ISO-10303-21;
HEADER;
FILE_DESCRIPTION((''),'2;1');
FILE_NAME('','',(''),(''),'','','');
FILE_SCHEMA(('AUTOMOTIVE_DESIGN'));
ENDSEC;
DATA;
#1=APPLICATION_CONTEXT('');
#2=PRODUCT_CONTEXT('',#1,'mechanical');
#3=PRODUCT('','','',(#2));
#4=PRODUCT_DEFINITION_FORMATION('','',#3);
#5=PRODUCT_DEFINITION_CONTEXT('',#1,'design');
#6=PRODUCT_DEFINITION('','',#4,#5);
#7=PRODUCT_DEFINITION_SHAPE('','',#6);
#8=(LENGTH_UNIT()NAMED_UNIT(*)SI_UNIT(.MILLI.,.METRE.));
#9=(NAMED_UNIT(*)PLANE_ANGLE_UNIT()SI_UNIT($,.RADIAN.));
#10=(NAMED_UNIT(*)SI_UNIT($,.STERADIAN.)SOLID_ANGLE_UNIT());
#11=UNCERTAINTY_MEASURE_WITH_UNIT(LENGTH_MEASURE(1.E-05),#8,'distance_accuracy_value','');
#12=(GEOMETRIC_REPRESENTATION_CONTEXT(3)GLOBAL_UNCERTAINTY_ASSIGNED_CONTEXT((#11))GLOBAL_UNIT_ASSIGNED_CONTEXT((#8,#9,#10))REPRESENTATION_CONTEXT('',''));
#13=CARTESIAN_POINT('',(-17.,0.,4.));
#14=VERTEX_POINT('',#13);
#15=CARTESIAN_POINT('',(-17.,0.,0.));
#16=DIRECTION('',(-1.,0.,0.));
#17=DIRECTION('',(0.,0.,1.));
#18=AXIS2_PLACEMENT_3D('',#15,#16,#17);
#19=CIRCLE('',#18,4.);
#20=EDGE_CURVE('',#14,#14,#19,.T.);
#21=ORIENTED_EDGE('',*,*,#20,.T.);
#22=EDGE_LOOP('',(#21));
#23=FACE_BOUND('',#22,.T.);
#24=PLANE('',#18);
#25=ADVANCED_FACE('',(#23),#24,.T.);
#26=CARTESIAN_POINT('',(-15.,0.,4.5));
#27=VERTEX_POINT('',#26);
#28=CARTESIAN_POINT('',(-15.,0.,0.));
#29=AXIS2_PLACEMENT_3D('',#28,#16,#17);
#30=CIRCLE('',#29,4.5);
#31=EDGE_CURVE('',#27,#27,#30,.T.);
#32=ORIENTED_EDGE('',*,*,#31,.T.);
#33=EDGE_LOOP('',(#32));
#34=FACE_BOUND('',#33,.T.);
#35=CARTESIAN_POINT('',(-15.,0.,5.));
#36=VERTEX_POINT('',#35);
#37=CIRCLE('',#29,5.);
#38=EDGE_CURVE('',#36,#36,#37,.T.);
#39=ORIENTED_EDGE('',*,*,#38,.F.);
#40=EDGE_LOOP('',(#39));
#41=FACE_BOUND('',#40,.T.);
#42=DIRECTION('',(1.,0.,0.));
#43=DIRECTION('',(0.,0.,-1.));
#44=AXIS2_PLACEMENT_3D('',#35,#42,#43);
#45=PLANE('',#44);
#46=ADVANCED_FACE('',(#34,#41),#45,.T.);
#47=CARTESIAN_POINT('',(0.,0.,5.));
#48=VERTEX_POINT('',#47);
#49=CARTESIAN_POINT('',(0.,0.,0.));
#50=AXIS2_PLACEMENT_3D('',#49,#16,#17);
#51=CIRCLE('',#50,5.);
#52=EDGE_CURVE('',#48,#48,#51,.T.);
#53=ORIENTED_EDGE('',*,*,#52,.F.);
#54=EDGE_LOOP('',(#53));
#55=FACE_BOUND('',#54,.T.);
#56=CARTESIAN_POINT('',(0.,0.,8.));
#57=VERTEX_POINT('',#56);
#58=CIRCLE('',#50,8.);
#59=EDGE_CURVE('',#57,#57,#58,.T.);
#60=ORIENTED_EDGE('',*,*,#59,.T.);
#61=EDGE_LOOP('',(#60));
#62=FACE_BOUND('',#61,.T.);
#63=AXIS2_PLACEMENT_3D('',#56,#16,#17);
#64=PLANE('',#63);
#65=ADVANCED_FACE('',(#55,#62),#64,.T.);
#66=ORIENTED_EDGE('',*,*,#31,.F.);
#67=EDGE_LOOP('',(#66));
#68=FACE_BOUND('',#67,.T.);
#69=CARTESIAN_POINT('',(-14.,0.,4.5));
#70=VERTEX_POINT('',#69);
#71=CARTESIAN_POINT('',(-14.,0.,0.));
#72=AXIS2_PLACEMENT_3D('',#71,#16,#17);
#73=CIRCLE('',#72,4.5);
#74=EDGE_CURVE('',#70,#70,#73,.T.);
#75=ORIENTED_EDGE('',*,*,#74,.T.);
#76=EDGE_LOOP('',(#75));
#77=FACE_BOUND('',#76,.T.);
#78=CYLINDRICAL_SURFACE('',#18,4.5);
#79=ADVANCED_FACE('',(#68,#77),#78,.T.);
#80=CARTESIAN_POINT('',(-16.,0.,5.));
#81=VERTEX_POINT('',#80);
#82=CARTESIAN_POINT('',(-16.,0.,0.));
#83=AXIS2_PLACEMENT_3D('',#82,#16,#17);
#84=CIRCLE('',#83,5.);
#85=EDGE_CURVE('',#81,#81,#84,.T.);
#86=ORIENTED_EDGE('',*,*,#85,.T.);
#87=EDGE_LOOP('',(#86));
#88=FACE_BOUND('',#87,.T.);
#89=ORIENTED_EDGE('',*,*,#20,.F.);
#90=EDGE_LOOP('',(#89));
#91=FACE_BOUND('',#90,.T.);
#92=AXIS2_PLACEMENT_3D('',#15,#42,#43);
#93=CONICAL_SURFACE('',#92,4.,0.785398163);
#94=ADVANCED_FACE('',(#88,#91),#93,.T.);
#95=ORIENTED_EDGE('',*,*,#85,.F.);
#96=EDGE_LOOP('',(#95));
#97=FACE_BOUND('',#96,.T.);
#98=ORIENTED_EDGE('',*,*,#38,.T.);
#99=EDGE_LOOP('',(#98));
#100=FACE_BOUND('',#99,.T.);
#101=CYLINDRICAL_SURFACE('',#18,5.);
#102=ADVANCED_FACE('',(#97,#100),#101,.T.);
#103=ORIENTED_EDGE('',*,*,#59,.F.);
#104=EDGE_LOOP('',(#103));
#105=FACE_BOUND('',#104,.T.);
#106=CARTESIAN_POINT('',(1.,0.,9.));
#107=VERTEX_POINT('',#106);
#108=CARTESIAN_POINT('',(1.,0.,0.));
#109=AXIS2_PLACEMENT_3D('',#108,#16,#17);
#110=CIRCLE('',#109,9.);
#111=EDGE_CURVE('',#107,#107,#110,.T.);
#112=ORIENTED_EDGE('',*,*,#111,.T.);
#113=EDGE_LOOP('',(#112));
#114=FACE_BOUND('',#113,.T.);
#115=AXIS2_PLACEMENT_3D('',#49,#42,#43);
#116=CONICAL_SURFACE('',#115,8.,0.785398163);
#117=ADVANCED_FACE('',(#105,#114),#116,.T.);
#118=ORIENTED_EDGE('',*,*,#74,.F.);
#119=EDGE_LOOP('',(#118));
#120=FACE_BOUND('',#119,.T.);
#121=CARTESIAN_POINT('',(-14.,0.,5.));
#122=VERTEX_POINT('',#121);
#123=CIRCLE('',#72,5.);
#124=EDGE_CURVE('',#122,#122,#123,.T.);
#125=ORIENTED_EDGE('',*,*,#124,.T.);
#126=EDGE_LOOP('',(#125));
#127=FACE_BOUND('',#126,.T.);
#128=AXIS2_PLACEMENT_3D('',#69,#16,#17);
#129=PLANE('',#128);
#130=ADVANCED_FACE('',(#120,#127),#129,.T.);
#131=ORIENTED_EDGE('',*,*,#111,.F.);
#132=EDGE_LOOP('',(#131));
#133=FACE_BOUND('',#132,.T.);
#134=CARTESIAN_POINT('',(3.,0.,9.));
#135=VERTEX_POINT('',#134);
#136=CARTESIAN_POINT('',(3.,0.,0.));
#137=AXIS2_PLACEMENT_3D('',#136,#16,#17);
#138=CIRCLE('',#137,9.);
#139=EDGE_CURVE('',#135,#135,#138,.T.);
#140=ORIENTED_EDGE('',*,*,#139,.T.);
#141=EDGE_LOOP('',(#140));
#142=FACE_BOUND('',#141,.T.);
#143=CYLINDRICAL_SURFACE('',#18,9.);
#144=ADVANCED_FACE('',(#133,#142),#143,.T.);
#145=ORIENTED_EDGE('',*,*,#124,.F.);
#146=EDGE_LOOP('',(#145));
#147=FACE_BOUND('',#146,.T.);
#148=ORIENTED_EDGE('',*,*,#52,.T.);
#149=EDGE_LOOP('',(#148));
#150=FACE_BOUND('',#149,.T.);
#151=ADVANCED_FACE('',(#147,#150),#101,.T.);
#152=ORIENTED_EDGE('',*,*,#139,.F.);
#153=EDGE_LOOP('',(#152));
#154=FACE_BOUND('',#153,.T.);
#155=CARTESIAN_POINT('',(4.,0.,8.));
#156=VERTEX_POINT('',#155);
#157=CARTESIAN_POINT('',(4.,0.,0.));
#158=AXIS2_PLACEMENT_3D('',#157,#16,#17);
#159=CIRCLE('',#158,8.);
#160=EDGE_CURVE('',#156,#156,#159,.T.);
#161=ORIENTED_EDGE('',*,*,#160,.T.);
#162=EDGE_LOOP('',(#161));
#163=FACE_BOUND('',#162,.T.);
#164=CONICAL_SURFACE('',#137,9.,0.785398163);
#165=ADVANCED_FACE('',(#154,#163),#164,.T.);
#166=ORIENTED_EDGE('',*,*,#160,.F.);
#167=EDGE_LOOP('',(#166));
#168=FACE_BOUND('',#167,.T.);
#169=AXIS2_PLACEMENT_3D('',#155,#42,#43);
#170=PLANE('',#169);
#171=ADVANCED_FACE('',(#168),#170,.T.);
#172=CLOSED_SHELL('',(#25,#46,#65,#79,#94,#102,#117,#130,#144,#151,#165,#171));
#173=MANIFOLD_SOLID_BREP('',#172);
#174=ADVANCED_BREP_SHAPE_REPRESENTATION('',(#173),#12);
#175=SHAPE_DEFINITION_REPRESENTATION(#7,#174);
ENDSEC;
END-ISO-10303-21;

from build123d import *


with BuildPart() as part:
    # Sketch1 → Revolve1 (revolve)
    with BuildSketch(Plane(origin=(0, 0, 0), x_dir=(-1, 0, 0), z_dir=(0, 1, 0))):
        Polygon((-1, 9), (-3, 9), (-4, 8), (-4, 0), (17, 0), (17, 4), (16, 5), (15, 5), (15, 4.5), (14, 4.5), (14, 5), (0, 5), (0, 8), align=None)
    revolve(axis=Axis((-17, 0, 0), (1, 0, 0)))


solid = part.part
